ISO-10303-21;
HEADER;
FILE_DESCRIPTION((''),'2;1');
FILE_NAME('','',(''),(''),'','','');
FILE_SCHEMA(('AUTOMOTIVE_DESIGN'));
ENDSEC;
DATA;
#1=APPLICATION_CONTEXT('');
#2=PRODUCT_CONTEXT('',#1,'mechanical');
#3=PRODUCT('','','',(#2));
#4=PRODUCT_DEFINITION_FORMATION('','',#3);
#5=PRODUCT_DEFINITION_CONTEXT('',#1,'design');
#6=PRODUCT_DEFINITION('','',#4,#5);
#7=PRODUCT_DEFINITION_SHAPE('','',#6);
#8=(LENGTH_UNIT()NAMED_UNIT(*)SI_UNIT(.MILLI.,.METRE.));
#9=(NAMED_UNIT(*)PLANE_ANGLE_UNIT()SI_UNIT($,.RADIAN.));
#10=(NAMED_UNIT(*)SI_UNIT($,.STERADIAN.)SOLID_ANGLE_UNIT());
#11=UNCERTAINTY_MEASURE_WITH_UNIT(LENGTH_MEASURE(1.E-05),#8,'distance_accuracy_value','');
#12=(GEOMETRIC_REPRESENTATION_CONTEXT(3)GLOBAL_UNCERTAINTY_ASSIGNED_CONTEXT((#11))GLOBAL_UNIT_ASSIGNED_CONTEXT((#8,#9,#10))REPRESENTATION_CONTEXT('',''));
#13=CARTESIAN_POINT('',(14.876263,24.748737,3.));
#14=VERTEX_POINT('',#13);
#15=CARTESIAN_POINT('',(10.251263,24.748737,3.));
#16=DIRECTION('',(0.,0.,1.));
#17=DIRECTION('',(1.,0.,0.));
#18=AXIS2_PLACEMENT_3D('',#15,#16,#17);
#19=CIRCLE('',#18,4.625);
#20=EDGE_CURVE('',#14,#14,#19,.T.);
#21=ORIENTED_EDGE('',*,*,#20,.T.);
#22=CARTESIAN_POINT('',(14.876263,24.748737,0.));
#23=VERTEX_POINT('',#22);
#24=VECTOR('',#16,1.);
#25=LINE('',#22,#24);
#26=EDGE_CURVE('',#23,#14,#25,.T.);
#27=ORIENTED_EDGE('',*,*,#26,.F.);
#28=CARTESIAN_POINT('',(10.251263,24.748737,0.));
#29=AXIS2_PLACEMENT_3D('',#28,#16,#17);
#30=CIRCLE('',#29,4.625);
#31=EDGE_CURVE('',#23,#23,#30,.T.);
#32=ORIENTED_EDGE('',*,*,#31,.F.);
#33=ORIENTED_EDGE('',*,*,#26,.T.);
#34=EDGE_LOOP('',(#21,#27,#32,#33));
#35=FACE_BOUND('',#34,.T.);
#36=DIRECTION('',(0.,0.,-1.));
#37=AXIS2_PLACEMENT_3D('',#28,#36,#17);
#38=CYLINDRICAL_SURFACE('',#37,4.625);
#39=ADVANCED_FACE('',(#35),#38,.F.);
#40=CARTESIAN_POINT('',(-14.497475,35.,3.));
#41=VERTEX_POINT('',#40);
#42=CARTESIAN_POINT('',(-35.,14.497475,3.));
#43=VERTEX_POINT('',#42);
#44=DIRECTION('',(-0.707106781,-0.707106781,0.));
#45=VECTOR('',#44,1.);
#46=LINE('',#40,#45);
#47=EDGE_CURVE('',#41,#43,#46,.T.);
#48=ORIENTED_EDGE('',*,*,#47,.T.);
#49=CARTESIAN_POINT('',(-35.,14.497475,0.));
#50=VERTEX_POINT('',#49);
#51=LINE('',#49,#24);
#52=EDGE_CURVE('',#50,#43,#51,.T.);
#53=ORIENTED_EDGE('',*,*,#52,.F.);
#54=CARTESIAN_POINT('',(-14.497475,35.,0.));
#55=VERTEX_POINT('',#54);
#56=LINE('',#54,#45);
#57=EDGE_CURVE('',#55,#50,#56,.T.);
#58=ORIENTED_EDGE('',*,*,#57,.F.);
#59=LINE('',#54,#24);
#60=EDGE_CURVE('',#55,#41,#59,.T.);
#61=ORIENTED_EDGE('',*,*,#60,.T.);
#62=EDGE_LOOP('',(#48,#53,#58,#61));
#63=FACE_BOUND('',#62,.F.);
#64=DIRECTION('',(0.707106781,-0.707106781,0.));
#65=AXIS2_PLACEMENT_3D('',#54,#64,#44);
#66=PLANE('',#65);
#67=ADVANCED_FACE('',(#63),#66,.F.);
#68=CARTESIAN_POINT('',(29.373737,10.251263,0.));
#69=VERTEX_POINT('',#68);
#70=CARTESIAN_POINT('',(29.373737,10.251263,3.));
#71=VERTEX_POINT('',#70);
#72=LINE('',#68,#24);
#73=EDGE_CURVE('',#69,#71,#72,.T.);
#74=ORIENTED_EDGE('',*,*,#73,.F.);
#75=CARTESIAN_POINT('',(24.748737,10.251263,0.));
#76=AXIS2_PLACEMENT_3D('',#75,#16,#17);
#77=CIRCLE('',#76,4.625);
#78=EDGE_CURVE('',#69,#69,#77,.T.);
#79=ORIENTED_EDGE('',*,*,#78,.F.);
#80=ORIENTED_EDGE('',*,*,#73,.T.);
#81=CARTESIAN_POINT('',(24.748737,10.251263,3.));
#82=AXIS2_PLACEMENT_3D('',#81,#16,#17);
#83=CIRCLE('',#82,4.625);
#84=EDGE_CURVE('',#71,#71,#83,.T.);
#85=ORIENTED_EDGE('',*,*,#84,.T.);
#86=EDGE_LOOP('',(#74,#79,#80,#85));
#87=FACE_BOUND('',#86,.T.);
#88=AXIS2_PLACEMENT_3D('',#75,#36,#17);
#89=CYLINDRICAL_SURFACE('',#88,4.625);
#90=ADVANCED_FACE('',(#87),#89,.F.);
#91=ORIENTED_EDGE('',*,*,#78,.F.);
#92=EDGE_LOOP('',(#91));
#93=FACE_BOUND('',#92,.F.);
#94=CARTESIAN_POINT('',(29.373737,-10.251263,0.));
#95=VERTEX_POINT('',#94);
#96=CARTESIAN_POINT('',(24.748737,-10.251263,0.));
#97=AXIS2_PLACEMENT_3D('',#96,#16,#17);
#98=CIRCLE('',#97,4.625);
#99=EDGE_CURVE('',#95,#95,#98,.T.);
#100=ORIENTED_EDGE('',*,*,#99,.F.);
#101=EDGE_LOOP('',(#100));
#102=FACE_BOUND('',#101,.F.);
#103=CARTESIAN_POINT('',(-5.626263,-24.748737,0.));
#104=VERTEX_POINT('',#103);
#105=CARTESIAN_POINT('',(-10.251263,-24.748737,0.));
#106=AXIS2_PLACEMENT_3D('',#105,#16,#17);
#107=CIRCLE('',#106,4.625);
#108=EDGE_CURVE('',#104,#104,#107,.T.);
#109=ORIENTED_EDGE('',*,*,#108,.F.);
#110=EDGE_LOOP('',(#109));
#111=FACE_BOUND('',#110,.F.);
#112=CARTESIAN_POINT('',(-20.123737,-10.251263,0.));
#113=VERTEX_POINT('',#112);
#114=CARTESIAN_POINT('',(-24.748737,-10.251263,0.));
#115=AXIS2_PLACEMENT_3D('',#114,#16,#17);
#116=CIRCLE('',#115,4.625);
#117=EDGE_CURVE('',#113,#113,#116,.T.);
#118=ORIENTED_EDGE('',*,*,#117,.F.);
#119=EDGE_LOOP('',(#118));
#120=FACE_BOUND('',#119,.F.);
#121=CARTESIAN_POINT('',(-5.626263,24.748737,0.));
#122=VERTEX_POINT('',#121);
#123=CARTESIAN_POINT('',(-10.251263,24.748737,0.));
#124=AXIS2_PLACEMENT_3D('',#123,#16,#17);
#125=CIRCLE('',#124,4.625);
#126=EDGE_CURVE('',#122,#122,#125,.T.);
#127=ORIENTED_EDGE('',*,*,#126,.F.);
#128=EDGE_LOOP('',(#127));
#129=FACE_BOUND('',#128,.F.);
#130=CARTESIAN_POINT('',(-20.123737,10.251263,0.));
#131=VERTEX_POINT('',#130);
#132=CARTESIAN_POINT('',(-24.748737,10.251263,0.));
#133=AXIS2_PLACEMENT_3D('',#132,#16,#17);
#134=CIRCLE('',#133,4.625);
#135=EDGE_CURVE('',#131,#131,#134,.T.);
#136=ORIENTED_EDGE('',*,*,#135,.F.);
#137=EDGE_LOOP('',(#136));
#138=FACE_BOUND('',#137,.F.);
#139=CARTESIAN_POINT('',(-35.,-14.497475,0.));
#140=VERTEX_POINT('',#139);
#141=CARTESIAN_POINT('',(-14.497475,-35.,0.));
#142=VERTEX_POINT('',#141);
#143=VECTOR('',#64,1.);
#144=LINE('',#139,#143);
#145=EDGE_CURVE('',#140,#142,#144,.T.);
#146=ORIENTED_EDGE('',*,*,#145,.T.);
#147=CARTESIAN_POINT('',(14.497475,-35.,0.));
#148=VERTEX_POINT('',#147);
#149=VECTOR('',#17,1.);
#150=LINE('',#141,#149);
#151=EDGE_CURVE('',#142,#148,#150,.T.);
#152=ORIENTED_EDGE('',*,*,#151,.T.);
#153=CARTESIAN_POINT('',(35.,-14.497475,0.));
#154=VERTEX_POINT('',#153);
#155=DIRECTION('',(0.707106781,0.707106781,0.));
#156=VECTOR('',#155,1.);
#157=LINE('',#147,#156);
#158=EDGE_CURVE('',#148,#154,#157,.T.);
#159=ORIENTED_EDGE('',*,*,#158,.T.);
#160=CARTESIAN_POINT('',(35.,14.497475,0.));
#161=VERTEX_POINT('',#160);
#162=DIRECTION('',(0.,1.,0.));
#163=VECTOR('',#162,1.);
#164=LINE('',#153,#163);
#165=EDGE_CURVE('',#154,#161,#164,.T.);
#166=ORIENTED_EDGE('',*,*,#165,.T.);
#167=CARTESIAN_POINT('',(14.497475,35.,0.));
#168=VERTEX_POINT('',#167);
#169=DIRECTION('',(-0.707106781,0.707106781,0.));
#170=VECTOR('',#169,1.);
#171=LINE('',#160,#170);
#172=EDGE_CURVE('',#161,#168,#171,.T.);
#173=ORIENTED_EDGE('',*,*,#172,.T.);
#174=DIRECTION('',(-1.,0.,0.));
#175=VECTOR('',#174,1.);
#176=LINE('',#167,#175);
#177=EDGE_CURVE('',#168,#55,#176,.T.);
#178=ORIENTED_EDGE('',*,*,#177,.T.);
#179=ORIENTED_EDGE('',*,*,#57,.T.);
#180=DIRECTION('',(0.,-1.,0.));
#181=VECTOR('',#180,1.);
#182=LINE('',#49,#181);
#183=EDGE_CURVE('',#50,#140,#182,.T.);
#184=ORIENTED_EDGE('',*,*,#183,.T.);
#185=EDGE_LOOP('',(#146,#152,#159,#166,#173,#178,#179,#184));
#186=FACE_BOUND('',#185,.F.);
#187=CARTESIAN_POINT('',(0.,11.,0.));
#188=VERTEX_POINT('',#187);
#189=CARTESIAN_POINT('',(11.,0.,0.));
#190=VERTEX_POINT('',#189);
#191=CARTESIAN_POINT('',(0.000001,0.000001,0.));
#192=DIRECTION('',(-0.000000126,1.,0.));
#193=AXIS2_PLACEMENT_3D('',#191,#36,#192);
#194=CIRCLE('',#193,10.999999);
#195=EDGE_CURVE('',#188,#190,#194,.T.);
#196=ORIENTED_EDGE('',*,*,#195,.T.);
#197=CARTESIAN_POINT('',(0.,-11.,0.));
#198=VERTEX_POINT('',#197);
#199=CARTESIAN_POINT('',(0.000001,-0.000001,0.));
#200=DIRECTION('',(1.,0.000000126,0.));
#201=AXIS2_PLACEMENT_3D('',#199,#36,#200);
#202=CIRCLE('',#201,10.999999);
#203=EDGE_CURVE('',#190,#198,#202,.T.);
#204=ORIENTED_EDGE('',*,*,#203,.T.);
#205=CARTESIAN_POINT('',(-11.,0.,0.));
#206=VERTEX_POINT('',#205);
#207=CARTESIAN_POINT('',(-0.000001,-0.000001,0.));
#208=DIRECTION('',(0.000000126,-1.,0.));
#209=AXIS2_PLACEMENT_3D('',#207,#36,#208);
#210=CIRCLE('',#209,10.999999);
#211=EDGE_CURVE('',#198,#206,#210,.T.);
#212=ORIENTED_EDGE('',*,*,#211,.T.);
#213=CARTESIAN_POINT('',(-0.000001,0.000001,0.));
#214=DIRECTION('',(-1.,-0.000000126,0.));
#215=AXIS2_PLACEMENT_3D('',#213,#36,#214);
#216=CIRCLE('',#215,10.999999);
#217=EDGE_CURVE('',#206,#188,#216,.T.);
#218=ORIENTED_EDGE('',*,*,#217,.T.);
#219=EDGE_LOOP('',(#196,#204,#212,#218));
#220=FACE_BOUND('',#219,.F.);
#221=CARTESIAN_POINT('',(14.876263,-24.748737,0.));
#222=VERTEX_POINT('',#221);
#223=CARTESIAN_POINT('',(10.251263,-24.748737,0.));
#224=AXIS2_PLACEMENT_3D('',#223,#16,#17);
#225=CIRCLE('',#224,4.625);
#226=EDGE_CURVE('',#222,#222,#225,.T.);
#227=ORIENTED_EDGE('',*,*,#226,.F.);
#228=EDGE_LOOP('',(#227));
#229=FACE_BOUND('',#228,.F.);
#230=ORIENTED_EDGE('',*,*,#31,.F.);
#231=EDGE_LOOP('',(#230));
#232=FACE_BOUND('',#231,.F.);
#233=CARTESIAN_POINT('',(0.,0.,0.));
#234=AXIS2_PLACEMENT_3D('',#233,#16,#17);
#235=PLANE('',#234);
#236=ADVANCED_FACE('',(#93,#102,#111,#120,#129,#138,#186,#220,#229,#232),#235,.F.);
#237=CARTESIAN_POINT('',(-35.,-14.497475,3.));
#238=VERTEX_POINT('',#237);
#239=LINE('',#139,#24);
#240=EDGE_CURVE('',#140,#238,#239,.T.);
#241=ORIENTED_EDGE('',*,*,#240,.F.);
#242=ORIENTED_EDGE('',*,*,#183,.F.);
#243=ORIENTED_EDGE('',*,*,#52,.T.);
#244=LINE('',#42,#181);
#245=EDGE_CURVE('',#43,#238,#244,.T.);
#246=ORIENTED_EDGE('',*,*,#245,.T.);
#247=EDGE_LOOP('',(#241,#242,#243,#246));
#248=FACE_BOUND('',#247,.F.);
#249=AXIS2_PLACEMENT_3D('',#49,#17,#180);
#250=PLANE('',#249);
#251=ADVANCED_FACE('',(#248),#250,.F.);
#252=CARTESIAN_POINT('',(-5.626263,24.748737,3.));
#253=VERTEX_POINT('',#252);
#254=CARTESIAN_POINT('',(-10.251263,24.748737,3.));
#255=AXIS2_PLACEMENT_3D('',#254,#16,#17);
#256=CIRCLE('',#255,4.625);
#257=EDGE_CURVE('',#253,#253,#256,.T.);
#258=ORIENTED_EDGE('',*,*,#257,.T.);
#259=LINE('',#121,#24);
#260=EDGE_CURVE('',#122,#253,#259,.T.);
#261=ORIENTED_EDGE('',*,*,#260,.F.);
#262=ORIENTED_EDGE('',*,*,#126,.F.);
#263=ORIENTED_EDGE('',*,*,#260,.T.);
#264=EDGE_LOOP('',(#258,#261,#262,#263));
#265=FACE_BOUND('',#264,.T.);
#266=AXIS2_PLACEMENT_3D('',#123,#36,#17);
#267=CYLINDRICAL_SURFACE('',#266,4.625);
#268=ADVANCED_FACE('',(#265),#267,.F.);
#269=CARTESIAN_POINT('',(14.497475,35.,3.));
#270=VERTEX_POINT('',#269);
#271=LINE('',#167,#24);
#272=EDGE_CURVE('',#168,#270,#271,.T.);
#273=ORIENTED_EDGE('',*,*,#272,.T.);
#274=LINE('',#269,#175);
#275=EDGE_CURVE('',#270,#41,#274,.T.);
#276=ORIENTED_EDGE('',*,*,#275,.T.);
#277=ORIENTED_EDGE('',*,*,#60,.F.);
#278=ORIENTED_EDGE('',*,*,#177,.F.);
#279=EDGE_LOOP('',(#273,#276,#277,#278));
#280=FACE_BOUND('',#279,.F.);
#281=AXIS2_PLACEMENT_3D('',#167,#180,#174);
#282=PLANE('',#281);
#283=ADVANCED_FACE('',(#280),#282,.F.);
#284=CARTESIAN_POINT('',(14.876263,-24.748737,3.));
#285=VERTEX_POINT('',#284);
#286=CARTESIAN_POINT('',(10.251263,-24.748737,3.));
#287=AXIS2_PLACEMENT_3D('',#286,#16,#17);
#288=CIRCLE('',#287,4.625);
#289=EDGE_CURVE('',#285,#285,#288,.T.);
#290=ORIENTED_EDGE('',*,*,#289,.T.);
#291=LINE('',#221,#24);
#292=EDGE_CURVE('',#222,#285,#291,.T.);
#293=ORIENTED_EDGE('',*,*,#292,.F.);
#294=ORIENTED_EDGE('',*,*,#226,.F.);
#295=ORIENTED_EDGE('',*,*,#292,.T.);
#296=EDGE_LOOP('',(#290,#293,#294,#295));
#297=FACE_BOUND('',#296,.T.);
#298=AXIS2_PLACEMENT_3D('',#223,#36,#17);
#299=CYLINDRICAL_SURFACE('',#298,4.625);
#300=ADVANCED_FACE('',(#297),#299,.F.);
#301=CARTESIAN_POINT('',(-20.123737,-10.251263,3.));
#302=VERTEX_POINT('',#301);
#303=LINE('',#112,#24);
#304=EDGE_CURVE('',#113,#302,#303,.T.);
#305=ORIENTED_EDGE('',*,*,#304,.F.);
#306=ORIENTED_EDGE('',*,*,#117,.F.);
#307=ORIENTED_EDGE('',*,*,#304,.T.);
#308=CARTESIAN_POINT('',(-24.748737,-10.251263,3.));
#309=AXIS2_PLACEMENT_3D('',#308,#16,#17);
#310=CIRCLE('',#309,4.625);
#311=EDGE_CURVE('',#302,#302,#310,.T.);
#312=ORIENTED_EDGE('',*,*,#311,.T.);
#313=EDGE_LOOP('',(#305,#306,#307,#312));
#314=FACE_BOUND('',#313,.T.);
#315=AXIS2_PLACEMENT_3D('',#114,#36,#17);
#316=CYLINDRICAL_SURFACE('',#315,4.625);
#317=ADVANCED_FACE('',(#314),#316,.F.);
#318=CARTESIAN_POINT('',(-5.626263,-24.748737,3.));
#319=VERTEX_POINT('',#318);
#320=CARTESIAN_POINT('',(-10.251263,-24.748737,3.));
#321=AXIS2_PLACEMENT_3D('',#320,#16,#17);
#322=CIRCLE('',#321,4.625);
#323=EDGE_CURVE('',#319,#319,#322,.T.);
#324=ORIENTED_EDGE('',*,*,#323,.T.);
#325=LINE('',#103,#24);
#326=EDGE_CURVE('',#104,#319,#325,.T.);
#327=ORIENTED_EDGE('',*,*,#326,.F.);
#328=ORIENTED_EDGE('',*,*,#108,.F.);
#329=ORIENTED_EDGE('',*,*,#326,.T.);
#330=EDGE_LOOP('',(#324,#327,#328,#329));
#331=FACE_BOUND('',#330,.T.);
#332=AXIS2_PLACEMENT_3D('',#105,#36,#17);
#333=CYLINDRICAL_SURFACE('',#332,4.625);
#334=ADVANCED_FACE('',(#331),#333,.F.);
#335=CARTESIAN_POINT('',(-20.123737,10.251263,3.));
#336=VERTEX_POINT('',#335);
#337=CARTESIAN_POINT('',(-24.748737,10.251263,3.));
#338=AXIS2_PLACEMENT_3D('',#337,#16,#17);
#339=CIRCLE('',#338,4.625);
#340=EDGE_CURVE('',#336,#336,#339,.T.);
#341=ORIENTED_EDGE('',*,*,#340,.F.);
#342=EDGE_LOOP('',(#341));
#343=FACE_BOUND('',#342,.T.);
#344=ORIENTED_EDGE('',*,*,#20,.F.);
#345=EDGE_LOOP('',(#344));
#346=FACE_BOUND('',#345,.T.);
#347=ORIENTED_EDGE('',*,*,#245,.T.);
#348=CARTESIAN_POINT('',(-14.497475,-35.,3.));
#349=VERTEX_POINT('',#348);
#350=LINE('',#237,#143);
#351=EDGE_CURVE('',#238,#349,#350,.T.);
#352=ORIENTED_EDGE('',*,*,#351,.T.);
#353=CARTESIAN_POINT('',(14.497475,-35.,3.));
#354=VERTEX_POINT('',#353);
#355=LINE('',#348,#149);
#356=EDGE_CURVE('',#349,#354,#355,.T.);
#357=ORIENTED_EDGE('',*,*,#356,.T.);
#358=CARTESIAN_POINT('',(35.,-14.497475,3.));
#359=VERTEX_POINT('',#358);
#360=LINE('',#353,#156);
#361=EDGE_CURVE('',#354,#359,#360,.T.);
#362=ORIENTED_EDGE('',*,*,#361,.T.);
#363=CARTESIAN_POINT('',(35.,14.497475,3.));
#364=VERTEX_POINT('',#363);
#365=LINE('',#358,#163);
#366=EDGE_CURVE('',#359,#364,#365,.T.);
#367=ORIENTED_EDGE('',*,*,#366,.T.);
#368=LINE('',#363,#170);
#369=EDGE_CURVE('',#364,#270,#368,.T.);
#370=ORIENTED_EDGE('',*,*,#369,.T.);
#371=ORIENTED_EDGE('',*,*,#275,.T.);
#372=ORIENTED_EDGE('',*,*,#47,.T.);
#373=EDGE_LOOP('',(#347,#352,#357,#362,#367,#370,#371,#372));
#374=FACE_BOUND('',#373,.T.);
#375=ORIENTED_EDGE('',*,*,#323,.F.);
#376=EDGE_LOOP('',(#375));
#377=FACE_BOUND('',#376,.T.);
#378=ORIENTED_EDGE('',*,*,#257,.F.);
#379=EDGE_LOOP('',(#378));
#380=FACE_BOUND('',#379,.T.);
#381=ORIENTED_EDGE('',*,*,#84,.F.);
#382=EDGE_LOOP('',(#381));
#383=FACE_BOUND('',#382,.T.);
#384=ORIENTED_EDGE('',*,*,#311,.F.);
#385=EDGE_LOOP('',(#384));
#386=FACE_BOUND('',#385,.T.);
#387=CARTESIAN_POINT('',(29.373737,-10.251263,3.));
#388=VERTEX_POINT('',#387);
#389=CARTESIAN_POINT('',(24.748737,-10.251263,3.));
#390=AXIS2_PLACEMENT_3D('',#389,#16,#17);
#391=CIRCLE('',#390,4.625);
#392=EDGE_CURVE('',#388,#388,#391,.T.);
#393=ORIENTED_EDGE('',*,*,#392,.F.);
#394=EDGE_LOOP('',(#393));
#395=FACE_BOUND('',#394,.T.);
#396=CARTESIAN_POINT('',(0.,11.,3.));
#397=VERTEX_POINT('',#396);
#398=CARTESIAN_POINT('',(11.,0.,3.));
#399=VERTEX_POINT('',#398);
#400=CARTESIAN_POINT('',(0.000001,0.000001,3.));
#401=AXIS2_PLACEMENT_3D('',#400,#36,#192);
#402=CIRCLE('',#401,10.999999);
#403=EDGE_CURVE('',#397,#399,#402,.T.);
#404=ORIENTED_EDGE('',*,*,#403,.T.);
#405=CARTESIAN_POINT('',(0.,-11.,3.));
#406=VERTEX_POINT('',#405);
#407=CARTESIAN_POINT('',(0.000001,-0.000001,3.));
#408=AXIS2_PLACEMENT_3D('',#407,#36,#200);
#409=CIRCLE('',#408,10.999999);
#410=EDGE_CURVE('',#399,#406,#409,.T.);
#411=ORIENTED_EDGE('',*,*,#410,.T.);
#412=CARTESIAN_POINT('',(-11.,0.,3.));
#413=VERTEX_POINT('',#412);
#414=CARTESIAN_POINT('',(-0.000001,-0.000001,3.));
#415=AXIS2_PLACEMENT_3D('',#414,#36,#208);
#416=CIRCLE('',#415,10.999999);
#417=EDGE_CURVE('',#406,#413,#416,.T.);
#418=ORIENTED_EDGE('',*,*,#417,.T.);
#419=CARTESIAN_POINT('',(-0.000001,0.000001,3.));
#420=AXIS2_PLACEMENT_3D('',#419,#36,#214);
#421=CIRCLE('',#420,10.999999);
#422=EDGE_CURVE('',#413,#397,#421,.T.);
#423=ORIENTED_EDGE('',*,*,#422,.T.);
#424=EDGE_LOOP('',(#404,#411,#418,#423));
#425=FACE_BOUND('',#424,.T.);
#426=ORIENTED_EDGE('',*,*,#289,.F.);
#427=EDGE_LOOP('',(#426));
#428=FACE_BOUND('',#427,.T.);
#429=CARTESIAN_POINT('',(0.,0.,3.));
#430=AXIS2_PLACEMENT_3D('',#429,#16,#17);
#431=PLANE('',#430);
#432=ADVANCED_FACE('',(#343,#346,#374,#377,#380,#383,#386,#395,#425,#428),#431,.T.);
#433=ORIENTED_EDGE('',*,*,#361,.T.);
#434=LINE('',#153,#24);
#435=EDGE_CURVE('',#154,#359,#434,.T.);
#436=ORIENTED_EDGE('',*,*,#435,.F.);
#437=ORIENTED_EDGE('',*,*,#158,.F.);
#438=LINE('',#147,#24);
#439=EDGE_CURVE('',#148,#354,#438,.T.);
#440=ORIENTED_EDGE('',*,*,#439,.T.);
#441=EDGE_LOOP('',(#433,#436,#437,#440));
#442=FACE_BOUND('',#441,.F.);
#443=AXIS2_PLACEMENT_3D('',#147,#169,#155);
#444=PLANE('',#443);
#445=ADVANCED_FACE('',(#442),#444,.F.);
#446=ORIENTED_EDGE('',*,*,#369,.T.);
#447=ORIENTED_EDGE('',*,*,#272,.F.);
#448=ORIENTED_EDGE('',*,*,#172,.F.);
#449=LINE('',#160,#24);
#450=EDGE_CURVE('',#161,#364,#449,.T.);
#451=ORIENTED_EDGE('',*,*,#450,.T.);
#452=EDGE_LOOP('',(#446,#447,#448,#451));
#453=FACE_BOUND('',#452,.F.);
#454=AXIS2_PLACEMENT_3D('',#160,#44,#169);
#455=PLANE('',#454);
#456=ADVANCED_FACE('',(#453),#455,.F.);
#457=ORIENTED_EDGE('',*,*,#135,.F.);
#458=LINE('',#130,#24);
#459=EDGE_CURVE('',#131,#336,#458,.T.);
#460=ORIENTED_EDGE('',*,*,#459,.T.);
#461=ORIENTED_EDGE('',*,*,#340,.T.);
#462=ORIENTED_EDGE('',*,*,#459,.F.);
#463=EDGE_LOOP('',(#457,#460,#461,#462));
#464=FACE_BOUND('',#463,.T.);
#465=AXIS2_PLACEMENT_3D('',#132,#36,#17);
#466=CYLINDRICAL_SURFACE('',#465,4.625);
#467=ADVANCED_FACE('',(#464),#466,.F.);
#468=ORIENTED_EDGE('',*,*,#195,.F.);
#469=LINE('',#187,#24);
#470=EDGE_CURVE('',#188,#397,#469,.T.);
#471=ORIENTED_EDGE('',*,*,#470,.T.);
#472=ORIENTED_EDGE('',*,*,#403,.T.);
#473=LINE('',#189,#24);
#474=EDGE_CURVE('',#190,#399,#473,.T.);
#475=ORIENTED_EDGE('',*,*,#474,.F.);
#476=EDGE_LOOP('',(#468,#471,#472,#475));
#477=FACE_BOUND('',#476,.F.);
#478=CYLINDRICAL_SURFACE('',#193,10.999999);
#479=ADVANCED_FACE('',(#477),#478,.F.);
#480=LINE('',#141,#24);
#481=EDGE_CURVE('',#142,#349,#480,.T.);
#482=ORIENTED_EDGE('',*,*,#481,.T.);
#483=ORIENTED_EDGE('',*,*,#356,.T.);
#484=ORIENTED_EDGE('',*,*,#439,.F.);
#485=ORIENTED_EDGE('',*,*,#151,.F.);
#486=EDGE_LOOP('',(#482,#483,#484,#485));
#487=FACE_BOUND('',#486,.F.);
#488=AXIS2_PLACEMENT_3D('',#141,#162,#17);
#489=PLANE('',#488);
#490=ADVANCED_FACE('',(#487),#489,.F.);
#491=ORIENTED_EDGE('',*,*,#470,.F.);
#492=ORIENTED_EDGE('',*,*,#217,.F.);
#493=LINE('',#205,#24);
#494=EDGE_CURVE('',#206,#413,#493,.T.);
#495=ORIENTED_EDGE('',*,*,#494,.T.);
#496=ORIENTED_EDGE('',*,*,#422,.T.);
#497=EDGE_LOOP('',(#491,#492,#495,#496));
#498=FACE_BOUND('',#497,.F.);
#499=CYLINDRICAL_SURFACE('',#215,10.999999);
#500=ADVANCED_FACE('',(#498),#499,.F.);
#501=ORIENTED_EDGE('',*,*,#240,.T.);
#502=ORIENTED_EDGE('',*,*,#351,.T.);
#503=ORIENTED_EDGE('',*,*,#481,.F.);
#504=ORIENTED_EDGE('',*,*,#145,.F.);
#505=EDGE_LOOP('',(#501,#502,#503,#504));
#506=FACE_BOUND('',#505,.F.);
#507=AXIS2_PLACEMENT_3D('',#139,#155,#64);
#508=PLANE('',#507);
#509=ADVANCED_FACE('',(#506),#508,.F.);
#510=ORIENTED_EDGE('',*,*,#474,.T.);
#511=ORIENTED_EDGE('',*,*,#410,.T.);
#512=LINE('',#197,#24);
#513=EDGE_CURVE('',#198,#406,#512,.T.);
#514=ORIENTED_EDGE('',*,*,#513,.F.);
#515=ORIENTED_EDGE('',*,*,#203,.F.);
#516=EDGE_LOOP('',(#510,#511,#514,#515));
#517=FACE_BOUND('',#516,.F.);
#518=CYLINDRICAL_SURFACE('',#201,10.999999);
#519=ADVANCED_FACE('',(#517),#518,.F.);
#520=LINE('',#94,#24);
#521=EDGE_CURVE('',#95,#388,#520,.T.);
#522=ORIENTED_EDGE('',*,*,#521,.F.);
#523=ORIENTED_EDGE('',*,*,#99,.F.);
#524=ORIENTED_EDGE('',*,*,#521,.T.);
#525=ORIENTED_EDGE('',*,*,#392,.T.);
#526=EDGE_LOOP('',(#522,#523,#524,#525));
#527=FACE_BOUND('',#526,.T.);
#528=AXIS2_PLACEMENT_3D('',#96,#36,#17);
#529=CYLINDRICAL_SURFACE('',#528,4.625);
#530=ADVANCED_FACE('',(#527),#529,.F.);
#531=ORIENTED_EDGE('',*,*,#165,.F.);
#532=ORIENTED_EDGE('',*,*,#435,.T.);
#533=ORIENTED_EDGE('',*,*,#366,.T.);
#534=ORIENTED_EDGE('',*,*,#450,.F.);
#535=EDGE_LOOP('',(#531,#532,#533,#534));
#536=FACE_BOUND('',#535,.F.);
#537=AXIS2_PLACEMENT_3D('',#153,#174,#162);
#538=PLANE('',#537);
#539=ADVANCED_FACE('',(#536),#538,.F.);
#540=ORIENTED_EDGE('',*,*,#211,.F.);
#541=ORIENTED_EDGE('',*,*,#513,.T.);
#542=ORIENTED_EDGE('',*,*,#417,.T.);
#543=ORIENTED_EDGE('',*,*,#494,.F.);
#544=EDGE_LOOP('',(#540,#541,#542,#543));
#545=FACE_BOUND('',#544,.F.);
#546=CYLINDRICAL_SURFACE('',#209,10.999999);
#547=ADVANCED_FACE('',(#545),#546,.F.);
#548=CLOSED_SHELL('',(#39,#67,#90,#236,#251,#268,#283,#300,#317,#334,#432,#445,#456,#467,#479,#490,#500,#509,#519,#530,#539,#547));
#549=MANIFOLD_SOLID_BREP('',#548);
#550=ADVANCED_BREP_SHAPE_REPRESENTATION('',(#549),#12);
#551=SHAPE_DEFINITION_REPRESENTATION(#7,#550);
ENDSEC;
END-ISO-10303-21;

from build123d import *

# Parameters (mm, degrees)
F0_R     = 4.625
F1_DEPTH = 3


with BuildPart() as f1:
    # F0 (on Top) → F1 (new body)
    with BuildSketch(Plane.XY):
        Polygon((35, 14.497475), (14.497475, 35), (-14.497475, 35), (-35, 14.497475), (-35, -14.497475), (-14.497475, -35), (0, -35), (14.497475, -35), (35, -14.497475), align=None)
        with Locations((-10.251263, -24.748737)):
            Circle(F0_R, mode=Mode.SUBTRACT)
        with Locations((-24.748737, -10.251263)):
            Circle(F0_R, mode=Mode.SUBTRACT)
        with Locations((10.251263, -24.748737)):
            Circle(F0_R, mode=Mode.SUBTRACT)
        with Locations((24.748737, -10.251263)):
            Circle(F0_R, mode=Mode.SUBTRACT)
        with Locations((-24.748737, 10.251263)):
            Circle(F0_R, mode=Mode.SUBTRACT)
        with Locations((-10.251263, 24.748737)):
            Circle(F0_R, mode=Mode.SUBTRACT)
        with BuildLine():
            ThreePointArc((0, 11), (7.778175, 7.778175), (11, 0))
            ThreePointArc((11, 0), (7.778175, -7.778175), (0, -11))
            ThreePointArc((0, -11), (-7.778175, -7.778175), (-11, 0))
            ThreePointArc((-11, 0), (-7.778175, 7.778175), (0, 11))
        make_face(mode=Mode.SUBTRACT)
        with Locations((24.748737, 10.251263)):
            Circle(F0_R, mode=Mode.SUBTRACT)
        with Locations((10.251263, 24.748737)):
            Circle(F0_R, mode=Mode.SUBTRACT)
    extrude(amount=F1_DEPTH)


solid = f1.part
